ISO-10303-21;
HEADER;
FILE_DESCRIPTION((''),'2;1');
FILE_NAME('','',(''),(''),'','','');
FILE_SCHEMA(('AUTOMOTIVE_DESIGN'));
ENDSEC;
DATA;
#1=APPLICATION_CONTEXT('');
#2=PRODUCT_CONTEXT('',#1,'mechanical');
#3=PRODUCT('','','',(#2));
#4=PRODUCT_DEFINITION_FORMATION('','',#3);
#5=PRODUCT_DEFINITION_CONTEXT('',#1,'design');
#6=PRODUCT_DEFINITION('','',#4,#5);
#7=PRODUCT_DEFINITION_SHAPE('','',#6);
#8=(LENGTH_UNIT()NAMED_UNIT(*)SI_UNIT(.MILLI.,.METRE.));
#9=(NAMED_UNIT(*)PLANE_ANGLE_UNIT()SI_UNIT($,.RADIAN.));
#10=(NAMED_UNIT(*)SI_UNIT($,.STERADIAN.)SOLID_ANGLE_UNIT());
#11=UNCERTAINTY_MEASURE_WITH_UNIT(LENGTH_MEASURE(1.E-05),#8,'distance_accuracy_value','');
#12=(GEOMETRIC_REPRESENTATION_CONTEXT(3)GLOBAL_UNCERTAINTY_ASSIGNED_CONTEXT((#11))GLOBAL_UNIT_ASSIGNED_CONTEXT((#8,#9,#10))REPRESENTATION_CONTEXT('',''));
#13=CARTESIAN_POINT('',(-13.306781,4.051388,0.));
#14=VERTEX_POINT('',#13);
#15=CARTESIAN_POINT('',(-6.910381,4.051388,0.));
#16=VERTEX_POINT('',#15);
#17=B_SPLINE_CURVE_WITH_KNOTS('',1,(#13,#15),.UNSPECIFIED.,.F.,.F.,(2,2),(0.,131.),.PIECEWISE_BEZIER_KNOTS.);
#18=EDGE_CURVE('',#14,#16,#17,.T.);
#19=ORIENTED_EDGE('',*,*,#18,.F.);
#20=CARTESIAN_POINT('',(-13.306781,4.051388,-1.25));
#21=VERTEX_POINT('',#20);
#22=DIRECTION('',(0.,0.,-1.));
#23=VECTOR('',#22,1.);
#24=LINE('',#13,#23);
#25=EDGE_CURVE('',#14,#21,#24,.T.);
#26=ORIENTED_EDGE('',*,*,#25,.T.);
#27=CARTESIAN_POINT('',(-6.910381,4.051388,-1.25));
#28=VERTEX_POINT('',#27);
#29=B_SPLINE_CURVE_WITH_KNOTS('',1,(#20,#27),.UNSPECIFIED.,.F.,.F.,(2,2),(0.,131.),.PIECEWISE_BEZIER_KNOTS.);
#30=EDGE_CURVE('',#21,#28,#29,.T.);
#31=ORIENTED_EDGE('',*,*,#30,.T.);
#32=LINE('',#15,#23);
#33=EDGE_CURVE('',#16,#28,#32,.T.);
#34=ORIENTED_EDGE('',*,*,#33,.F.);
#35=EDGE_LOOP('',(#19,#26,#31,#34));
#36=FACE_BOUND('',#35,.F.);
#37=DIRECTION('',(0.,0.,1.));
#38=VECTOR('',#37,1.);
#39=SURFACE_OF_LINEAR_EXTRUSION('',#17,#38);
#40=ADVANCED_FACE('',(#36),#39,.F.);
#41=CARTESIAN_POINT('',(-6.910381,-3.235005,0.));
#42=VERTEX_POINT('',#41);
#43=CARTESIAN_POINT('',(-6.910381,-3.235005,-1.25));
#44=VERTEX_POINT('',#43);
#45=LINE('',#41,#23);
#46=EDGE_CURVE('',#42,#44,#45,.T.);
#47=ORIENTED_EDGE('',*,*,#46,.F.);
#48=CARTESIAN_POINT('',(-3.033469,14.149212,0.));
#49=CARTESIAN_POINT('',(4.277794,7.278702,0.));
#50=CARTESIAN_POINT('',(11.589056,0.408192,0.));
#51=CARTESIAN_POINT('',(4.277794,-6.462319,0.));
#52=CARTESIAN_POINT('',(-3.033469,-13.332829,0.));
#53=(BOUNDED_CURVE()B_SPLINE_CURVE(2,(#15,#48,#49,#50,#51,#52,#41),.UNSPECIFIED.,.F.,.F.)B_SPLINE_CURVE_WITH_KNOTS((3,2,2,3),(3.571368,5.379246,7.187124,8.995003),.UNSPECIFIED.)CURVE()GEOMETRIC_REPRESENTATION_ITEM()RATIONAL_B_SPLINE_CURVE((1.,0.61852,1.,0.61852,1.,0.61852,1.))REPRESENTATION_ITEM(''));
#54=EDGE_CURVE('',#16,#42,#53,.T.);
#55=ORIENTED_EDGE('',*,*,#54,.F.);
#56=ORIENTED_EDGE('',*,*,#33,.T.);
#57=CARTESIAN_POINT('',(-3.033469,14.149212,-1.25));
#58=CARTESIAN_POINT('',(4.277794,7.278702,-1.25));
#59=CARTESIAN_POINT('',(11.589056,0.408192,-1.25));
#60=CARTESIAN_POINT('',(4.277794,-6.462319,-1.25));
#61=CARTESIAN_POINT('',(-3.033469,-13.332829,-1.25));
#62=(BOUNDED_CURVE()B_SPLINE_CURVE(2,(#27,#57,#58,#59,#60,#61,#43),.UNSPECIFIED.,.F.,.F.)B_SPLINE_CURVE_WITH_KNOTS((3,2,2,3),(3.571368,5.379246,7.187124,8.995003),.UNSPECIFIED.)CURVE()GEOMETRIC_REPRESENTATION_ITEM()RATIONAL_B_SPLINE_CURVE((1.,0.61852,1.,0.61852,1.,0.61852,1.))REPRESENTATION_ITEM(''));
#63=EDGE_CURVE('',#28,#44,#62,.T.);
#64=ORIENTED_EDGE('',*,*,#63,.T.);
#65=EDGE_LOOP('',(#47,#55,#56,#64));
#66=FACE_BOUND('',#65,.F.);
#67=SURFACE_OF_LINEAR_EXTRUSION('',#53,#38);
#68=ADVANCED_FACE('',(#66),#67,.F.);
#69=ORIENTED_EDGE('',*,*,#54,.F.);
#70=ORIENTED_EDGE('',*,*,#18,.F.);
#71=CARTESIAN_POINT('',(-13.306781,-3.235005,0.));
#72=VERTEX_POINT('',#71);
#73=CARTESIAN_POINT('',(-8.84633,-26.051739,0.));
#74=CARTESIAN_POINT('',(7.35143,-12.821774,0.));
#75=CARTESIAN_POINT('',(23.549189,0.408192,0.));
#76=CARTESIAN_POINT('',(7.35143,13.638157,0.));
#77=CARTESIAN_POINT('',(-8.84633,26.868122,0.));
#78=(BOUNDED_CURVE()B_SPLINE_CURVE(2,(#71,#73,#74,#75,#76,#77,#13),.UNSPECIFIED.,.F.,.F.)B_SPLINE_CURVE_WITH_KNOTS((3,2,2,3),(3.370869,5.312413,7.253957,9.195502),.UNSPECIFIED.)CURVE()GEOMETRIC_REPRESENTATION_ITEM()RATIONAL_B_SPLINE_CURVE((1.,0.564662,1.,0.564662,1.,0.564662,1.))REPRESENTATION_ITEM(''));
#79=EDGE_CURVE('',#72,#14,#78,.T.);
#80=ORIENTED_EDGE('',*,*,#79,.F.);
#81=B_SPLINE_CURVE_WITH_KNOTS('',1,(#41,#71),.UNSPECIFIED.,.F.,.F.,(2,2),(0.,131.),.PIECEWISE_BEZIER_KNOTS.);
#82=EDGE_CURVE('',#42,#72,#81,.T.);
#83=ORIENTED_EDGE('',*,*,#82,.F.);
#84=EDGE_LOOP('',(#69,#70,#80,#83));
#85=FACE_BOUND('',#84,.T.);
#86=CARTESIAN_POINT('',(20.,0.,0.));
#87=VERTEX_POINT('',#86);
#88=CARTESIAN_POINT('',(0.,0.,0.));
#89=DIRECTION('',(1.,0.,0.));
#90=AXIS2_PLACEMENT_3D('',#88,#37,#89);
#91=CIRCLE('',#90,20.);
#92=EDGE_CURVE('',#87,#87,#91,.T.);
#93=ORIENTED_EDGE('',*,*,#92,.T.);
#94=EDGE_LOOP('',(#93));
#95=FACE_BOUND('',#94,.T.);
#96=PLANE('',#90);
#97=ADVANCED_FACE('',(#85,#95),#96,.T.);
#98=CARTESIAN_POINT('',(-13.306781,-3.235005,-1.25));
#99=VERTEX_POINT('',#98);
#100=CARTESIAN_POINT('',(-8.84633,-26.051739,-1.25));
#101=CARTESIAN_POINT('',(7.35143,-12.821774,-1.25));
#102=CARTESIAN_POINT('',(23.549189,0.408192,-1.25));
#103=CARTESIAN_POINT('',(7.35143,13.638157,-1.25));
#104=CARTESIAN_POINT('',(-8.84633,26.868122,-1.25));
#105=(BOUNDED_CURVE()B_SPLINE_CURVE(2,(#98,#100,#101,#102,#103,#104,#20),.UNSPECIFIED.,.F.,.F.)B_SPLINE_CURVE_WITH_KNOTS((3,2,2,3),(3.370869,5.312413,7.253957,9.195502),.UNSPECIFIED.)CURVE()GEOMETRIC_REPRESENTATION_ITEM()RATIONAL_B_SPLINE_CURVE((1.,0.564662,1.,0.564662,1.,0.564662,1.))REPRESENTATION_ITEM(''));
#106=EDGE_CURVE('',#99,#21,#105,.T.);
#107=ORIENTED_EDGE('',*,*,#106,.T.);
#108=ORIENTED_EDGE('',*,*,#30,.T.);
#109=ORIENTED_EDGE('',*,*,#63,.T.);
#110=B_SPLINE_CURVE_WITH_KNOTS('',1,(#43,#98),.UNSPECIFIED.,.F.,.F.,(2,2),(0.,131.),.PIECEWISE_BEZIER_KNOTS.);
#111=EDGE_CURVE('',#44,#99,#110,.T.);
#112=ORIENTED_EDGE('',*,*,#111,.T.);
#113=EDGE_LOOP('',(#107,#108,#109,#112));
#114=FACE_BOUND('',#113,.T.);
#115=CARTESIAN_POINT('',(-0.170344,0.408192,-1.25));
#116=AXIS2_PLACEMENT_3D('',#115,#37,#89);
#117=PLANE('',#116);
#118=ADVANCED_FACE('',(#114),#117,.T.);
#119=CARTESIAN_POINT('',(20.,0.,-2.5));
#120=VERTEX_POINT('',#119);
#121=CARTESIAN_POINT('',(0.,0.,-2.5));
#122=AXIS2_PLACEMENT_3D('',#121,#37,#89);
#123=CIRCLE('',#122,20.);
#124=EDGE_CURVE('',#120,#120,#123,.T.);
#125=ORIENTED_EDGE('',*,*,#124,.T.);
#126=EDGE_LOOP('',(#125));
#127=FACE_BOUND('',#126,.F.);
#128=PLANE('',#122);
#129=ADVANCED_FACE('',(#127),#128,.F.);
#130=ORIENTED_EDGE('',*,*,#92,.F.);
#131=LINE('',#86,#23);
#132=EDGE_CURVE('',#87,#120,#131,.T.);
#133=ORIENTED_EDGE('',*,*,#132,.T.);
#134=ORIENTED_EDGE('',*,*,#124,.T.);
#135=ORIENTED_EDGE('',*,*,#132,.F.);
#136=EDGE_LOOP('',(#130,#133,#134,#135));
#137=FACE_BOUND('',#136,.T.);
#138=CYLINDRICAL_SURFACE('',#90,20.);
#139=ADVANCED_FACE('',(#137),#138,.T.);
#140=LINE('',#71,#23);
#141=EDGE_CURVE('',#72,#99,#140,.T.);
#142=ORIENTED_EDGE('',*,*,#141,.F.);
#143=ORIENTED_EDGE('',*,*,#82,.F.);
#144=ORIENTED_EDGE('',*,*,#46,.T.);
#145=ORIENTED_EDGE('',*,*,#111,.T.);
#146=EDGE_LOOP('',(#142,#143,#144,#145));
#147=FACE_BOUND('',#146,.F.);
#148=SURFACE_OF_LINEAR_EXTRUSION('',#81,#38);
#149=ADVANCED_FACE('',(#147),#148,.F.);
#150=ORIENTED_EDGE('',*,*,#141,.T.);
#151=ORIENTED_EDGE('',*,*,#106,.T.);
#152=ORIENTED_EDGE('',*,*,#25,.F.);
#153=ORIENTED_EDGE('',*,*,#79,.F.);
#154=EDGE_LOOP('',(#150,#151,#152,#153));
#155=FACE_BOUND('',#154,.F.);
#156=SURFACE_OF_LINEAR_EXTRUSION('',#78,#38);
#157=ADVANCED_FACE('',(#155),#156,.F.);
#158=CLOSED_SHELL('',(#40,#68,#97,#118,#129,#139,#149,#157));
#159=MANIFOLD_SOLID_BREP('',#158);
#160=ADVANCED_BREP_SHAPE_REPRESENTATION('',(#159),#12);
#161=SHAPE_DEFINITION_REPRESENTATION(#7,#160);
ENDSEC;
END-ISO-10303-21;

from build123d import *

# Parameters (mm, degrees)
SKETCH001_R  = 20
PAD_DEPTH    = 2.5
POCKET_DEPTH = 1.25


with BuildPart() as part:
    # Sketch001 (on DatumPlane) → Pad (new body)
    with BuildSketch(Plane.XY):
        Circle(SKETCH001_R)
    extrude(amount=-PAD_DEPTH)

    # Sketch002 (on DatumPlane) → Pocket (cut)
    with BuildSketch(Plane.XY):
        with BuildLine():
            add(Edge.make_bspline(
                [(-13.306781, 4.051388), (-6.910381, 4.051388)],
                knots=[0, 0, 131, 131], degree=1))
            add(Edge.make_bspline(
                [(-6.910381, 4.051388), (-3.033469, 14.149212), (4.277794, 7.278702), (11.589056, 0.408192), (4.277794, -6.462319), (-3.033469, -13.332829), (-6.910381, -3.235005)],
                knots=[3.571368, 3.571368, 3.571368, 5.379246, 5.379246, 7.187124, 7.187124, 8.995003, 8.995003, 8.995003], degree=2, weights=[1, 0.61852, 1, 0.61852, 1, 0.61852, 1]))
            add(Edge.make_bspline(
                [(-6.910381, -3.235005), (-13.306781, -3.235005)],
                knots=[0, 0, 131, 131], degree=1))
            add(Edge.make_bspline(
                [(-13.306781, -3.235005), (-8.84633, -26.051739), (7.35143, -12.821774), (23.549189, 0.408192), (7.35143, 13.638157), (-8.84633, 26.868122), (-13.306781, 4.051388)],
                knots=[3.370869, 3.370869, 3.370869, 5.312413, 5.312413, 7.253957, 7.253957, 9.195502, 9.195502, 9.195502], degree=2, weights=[1, 0.564662, 1, 0.564662, 1, 0.564662, 1]))
        make_face()
    extrude(amount=-POCKET_DEPTH, mode=Mode.SUBTRACT)


solid = part.part
